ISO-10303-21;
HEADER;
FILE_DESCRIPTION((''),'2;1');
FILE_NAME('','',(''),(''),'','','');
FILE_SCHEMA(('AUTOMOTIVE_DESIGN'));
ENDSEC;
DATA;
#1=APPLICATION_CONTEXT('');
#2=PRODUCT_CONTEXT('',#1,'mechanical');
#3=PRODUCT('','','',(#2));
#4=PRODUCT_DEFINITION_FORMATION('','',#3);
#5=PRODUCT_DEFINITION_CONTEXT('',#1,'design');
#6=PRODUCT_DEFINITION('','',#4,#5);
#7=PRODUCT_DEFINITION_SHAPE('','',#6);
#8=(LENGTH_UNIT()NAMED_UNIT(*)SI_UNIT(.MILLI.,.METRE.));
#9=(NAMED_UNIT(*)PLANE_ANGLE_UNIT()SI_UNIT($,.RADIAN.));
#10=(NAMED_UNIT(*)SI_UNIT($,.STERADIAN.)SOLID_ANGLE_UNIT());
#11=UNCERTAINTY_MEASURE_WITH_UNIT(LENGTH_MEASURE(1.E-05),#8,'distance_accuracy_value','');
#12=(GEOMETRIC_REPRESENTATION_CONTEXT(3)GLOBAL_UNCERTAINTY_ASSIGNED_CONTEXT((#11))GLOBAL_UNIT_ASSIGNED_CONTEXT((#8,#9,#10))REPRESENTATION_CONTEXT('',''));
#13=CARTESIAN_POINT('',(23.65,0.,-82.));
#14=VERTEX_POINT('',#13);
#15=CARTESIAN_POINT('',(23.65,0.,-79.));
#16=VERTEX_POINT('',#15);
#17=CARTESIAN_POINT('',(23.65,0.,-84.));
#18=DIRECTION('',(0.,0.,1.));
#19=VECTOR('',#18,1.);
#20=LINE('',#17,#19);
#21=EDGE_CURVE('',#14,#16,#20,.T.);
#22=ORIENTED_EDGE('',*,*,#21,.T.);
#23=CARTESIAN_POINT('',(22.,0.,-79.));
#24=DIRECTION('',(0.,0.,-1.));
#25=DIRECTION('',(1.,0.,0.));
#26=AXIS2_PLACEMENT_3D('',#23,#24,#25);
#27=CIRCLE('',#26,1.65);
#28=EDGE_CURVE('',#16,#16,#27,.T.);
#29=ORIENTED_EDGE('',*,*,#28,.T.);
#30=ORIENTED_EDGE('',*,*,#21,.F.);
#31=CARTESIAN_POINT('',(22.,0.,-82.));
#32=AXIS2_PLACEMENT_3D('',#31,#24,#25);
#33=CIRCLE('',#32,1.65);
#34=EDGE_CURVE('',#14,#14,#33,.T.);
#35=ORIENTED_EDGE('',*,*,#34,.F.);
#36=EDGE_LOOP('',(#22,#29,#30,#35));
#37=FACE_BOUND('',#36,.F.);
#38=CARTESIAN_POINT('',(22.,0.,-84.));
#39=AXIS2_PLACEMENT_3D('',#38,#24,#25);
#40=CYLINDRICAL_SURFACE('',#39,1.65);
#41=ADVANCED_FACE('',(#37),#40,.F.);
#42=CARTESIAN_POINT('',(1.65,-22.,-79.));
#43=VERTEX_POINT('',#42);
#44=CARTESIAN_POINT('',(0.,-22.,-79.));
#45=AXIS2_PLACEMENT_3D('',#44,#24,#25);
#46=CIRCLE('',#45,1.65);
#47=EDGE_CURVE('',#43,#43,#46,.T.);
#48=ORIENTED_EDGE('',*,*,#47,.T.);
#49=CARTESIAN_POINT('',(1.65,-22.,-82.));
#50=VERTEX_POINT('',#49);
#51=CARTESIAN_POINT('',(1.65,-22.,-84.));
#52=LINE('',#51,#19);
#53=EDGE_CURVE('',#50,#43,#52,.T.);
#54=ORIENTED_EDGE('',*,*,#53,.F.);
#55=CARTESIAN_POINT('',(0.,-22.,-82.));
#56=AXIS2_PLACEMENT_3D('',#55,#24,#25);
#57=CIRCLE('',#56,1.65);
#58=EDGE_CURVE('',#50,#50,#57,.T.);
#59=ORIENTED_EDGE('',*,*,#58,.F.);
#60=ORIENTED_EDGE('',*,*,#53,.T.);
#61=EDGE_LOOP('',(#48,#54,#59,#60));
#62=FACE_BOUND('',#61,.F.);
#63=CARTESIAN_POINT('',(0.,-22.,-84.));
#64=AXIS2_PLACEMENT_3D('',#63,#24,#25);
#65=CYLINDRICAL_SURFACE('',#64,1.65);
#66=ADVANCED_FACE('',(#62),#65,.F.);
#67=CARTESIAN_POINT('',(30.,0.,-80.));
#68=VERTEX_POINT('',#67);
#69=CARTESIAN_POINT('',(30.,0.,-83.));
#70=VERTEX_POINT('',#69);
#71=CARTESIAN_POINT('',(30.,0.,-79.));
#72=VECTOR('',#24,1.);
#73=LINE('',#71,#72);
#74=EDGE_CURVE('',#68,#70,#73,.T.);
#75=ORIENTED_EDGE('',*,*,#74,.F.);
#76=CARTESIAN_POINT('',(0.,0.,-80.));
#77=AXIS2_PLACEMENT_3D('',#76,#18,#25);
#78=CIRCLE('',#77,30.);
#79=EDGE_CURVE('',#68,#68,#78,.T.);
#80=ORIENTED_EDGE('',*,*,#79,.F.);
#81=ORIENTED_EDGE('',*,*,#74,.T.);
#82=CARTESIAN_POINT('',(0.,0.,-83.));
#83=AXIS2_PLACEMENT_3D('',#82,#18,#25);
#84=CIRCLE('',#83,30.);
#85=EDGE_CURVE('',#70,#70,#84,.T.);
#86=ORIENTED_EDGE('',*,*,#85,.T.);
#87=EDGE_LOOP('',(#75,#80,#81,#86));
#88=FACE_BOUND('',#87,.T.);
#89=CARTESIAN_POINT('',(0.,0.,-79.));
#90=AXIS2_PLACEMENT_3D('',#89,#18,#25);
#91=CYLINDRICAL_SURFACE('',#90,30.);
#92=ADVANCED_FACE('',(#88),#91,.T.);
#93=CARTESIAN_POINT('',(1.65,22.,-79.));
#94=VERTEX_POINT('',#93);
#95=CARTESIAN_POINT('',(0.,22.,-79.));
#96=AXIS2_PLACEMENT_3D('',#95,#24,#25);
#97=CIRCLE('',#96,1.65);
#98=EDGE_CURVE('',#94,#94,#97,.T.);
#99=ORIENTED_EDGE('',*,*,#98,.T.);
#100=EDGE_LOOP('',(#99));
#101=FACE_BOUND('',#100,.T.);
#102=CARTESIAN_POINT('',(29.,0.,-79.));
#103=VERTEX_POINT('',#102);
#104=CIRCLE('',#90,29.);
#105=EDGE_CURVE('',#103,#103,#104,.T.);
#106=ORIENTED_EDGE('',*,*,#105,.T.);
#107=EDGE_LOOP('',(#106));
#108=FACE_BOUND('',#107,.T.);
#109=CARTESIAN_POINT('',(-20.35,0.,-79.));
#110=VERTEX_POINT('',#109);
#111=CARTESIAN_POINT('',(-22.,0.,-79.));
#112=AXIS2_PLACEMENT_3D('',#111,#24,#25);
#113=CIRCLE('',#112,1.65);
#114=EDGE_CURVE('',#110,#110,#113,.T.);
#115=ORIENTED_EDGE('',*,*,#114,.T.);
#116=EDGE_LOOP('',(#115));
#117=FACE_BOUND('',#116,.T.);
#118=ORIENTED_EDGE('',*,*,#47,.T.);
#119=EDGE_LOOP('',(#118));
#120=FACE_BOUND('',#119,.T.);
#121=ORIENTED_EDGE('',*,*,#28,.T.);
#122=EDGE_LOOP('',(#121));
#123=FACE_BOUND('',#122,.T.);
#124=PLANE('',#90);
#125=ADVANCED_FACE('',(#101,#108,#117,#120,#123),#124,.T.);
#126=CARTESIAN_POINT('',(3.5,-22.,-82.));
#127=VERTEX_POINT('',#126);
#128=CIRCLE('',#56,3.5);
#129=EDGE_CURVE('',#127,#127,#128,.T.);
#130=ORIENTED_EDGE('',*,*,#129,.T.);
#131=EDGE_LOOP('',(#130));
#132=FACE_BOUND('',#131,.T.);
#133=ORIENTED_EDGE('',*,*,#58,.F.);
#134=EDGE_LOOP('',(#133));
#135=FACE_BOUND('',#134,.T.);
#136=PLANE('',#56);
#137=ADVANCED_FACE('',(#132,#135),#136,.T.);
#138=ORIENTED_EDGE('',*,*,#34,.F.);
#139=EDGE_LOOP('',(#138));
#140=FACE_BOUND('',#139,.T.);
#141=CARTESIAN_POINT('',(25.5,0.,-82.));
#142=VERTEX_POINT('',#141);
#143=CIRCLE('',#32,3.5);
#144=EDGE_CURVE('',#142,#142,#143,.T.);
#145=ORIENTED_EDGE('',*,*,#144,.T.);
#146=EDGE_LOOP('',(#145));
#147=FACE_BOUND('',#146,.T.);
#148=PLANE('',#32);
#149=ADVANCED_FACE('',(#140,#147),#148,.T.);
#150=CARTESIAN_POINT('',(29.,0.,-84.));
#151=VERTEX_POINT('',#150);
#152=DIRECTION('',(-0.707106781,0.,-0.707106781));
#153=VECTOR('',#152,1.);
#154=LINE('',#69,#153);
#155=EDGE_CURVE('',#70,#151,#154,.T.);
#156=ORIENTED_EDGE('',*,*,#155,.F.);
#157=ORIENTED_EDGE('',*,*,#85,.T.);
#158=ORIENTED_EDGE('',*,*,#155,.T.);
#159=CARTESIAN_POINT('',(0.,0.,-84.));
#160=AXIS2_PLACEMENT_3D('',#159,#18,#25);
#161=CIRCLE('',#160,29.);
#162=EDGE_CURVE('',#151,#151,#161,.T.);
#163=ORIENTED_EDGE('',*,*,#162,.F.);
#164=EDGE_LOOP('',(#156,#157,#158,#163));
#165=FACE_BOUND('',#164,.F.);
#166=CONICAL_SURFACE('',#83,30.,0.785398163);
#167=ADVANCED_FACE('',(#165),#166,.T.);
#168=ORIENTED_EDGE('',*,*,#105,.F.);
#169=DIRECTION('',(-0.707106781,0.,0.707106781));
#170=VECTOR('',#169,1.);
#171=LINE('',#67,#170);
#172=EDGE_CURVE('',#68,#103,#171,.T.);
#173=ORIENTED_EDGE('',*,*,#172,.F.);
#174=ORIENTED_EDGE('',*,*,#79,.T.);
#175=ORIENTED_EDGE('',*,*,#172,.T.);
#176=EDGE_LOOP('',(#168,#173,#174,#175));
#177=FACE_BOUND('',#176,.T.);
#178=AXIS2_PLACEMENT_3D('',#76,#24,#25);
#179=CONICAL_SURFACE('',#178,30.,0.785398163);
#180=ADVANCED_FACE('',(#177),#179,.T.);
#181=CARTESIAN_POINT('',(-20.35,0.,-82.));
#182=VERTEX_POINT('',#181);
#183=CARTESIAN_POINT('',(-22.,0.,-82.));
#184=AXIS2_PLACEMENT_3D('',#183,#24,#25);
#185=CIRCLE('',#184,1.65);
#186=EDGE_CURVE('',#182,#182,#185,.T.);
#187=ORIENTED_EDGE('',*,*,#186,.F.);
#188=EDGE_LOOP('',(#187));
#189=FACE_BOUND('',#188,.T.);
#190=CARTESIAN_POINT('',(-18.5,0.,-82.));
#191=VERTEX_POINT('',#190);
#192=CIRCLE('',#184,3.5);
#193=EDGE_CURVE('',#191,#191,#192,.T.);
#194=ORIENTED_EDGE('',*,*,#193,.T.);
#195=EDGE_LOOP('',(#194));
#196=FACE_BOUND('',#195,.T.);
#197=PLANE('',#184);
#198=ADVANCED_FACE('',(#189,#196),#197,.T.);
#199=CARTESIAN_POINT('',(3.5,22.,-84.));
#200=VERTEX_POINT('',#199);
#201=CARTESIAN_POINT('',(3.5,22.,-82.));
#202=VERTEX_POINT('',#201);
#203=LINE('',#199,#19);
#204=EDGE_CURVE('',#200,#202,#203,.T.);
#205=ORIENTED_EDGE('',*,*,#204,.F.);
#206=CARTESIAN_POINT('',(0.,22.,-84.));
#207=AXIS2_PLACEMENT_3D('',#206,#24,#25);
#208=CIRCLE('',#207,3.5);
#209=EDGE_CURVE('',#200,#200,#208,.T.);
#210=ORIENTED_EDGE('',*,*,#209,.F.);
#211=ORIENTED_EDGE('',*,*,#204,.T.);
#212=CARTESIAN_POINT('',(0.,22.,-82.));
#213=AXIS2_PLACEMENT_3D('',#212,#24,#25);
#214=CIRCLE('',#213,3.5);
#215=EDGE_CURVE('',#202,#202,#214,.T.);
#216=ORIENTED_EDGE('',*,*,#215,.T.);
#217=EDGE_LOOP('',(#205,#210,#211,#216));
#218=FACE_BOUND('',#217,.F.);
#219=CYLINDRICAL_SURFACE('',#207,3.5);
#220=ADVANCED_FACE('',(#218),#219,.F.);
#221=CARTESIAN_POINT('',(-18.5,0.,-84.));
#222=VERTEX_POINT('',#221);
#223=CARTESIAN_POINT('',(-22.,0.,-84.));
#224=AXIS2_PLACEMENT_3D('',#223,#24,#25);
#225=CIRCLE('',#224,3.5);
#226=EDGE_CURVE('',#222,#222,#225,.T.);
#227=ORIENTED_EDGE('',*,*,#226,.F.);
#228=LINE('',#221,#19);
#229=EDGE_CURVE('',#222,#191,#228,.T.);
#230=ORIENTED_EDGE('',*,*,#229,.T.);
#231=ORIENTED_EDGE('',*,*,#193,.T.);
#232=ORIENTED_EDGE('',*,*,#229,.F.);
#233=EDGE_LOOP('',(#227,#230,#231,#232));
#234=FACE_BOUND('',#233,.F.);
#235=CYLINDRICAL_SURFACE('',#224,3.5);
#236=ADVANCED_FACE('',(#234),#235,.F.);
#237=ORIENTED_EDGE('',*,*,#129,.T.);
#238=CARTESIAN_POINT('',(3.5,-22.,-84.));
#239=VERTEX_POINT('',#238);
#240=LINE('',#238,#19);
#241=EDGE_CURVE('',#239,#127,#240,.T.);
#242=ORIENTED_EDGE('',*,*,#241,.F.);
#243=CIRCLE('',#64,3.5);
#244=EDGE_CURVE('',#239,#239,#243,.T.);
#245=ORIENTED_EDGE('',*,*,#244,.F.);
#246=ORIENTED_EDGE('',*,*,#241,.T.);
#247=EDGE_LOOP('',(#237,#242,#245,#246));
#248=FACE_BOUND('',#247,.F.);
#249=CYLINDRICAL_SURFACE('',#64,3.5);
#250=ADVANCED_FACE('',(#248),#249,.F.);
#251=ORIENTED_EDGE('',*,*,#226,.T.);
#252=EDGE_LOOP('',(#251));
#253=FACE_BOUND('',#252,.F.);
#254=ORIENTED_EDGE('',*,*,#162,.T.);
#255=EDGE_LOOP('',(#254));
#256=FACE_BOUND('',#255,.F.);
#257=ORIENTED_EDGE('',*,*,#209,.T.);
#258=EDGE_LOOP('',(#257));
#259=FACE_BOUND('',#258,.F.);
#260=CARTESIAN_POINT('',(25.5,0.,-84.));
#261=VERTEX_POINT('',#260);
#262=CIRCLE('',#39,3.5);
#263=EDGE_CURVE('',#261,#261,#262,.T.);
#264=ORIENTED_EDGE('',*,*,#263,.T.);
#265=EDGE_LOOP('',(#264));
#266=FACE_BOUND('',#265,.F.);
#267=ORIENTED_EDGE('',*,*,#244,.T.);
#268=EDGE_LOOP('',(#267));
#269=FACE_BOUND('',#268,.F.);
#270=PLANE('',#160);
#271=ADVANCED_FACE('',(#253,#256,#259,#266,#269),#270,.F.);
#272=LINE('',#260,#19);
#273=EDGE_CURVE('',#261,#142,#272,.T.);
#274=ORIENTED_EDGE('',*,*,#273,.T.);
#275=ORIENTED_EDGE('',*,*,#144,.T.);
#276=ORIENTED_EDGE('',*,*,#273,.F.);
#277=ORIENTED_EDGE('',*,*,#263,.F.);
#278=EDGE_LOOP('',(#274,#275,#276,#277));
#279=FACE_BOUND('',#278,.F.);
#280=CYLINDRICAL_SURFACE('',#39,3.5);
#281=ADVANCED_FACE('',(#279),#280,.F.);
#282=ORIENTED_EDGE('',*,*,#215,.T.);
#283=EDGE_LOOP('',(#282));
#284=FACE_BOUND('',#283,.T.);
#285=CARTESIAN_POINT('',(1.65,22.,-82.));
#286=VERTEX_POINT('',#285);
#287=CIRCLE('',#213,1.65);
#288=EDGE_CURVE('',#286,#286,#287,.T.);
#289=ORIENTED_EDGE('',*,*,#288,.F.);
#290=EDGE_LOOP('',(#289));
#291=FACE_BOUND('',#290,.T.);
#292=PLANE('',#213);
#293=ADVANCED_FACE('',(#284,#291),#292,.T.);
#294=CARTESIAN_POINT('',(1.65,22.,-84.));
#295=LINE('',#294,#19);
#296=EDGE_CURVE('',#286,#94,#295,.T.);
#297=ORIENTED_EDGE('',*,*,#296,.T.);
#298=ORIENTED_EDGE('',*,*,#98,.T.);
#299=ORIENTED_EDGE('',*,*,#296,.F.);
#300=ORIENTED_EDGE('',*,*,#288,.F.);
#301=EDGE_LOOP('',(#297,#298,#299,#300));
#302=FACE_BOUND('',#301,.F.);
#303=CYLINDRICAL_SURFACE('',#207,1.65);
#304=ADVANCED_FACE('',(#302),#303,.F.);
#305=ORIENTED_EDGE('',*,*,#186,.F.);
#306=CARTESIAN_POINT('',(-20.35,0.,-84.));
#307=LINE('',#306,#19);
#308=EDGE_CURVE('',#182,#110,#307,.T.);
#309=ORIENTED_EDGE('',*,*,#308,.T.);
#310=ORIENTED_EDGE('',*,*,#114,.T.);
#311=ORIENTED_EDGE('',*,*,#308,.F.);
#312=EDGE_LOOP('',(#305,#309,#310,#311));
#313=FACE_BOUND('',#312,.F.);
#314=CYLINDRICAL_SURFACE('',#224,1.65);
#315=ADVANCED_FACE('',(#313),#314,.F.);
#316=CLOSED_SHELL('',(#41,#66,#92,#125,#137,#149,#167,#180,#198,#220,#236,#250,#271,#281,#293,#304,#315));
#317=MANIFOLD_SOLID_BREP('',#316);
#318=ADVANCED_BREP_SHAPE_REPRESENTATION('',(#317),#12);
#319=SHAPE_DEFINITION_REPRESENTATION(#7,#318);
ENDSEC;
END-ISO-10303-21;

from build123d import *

# Parameters (mm, degrees)
SKETCH003_R     = 30
PAD002_DEPTH    = 5
SKETCH004_R     = 1.65
POCKET001_DEPTH = 6
SKETCH005_R     = 3.5
POCKET002_DEPTH = 2
CHAMFER001_SIZE = 1


with BuildPart() as part:
    # Sketch003 → Pad002 (new body)
    with BuildSketch(Plane.XY):
        Circle(SKETCH003_R)
    extrude(amount=-PAD002_DEPTH)

    # Sketch004 (on Face3 of Pad002) → Pocket001 (cut)
    with BuildSketch(Plane(origin=(0, 0, -5), x_dir=(1, 0, 0), z_dir=(0, 0, -1))):
        with Locations((0, 22)):
            Circle(SKETCH004_R)
        with Locations((-22, 0)):
            Circle(SKETCH004_R)
        with Locations((22, 0)):
            Circle(SKETCH004_R)
        with Locations((0, -22)):
            Circle(SKETCH004_R)
    extrude(amount=-POCKET001_DEPTH, mode=Mode.SUBTRACT)

    # Sketch005 (on Face3 of Pocket001) → Pocket002 (cut)
    with BuildSketch(Plane(origin=(0, 0, -5), x_dir=(1, 0, 0), z_dir=(0, 0, -1))):
        with Locations((0, 22)):
            Circle(SKETCH005_R)
        with Locations((-22, 0)):
            Circle(SKETCH005_R)
        with Locations((22, 0)):
            Circle(SKETCH005_R)
        with Locations((0, -22)):
            Circle(SKETCH005_R)
    extrude(amount=-POCKET002_DEPTH, mode=Mode.SUBTRACT)

    # Chamfer001
    chamfer001_edges = [part.edges().sort_by_distance(p)[0] for p in [
        (-30, 0, -5),
        (-30, 0, 0),
    ]]
    chamfer(chamfer001_edges, length=CHAMFER001_SIZE)


with BuildPart() as part_1:
    # Body001 placement: moved
    add(part.part.moved(Location((0, 0, -79))))


solid = part_1.part
